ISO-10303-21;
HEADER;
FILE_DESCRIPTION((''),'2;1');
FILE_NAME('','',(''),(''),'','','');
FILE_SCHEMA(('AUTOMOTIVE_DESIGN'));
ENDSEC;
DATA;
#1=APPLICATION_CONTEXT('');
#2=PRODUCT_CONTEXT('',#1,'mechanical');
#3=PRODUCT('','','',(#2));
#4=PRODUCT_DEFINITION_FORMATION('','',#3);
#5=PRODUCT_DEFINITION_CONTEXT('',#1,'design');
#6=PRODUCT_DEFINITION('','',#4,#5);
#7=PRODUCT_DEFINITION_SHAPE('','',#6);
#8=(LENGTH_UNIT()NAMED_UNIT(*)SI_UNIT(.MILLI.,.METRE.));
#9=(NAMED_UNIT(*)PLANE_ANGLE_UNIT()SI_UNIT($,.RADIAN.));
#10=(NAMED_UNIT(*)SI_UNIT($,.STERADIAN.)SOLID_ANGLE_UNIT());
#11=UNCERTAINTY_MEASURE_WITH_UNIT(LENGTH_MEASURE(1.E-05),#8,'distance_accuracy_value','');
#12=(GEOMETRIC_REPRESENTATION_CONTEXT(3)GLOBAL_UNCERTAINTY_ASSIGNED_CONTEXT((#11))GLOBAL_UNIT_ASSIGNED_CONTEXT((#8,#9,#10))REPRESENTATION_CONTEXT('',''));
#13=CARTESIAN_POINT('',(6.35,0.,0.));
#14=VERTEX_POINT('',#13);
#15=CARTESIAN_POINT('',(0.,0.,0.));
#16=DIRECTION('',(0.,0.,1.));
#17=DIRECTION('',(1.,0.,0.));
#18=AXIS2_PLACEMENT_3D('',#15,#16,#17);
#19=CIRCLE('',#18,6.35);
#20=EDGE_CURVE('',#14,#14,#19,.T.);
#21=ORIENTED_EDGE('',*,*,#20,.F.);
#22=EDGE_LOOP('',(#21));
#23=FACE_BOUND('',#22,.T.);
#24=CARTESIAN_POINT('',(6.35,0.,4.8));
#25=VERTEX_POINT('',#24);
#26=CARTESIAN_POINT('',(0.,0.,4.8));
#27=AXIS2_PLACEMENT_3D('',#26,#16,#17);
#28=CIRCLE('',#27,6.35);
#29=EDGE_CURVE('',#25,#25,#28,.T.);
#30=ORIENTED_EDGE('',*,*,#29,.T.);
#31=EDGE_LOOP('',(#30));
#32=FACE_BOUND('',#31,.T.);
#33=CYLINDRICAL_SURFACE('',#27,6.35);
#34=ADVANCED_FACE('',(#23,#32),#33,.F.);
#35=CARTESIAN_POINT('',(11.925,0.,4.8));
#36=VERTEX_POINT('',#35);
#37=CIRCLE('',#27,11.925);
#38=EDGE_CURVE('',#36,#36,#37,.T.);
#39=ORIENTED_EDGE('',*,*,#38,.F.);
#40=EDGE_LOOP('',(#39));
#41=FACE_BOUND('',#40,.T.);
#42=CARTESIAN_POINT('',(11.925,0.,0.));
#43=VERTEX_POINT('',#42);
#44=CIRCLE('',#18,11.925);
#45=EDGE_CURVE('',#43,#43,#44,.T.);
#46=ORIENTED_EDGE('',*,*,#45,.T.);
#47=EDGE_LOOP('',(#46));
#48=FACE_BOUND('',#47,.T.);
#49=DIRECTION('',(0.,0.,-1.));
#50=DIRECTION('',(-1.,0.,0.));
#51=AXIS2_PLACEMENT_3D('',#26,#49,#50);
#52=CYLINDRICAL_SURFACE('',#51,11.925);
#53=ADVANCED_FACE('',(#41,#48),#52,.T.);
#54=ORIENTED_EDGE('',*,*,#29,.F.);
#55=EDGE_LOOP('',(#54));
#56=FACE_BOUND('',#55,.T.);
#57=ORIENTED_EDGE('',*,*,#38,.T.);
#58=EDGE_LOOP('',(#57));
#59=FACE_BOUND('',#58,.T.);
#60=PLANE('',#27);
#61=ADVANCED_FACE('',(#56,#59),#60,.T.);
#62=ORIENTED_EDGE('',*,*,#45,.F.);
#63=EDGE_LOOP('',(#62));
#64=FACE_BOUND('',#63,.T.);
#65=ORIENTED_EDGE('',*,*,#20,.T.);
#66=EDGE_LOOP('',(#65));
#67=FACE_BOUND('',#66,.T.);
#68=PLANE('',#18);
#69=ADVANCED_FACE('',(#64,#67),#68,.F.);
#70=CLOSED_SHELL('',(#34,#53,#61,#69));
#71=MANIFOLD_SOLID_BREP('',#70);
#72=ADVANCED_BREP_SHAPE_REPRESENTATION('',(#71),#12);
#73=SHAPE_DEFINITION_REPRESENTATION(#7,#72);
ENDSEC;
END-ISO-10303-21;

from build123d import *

# Parameters (mm, degrees)
SCHIZZO1_R                   = 11.925
ESTRUSIONE_ESTRUSIONE1_DEPTH = 4.8
FORO_25_5_12_7_1_D           = 12.7


with BuildPart() as part:
    # Schizzo1 → Estrusione-Estrusione1 (new body)
    with BuildSketch(Plane.XY):
        Circle(SCHIZZO1_R)
    extrude(amount=ESTRUSIONE_ESTRUSIONE1_DEPTH)

    # Foro Ø25.5 (12.7)-1 (through all)
    with Locations(Plane.XY.offset(4.8)):
        with Locations((0, 0)):
            Hole(FORO_25_5_12_7_1_D / 2)


solid = part.part
